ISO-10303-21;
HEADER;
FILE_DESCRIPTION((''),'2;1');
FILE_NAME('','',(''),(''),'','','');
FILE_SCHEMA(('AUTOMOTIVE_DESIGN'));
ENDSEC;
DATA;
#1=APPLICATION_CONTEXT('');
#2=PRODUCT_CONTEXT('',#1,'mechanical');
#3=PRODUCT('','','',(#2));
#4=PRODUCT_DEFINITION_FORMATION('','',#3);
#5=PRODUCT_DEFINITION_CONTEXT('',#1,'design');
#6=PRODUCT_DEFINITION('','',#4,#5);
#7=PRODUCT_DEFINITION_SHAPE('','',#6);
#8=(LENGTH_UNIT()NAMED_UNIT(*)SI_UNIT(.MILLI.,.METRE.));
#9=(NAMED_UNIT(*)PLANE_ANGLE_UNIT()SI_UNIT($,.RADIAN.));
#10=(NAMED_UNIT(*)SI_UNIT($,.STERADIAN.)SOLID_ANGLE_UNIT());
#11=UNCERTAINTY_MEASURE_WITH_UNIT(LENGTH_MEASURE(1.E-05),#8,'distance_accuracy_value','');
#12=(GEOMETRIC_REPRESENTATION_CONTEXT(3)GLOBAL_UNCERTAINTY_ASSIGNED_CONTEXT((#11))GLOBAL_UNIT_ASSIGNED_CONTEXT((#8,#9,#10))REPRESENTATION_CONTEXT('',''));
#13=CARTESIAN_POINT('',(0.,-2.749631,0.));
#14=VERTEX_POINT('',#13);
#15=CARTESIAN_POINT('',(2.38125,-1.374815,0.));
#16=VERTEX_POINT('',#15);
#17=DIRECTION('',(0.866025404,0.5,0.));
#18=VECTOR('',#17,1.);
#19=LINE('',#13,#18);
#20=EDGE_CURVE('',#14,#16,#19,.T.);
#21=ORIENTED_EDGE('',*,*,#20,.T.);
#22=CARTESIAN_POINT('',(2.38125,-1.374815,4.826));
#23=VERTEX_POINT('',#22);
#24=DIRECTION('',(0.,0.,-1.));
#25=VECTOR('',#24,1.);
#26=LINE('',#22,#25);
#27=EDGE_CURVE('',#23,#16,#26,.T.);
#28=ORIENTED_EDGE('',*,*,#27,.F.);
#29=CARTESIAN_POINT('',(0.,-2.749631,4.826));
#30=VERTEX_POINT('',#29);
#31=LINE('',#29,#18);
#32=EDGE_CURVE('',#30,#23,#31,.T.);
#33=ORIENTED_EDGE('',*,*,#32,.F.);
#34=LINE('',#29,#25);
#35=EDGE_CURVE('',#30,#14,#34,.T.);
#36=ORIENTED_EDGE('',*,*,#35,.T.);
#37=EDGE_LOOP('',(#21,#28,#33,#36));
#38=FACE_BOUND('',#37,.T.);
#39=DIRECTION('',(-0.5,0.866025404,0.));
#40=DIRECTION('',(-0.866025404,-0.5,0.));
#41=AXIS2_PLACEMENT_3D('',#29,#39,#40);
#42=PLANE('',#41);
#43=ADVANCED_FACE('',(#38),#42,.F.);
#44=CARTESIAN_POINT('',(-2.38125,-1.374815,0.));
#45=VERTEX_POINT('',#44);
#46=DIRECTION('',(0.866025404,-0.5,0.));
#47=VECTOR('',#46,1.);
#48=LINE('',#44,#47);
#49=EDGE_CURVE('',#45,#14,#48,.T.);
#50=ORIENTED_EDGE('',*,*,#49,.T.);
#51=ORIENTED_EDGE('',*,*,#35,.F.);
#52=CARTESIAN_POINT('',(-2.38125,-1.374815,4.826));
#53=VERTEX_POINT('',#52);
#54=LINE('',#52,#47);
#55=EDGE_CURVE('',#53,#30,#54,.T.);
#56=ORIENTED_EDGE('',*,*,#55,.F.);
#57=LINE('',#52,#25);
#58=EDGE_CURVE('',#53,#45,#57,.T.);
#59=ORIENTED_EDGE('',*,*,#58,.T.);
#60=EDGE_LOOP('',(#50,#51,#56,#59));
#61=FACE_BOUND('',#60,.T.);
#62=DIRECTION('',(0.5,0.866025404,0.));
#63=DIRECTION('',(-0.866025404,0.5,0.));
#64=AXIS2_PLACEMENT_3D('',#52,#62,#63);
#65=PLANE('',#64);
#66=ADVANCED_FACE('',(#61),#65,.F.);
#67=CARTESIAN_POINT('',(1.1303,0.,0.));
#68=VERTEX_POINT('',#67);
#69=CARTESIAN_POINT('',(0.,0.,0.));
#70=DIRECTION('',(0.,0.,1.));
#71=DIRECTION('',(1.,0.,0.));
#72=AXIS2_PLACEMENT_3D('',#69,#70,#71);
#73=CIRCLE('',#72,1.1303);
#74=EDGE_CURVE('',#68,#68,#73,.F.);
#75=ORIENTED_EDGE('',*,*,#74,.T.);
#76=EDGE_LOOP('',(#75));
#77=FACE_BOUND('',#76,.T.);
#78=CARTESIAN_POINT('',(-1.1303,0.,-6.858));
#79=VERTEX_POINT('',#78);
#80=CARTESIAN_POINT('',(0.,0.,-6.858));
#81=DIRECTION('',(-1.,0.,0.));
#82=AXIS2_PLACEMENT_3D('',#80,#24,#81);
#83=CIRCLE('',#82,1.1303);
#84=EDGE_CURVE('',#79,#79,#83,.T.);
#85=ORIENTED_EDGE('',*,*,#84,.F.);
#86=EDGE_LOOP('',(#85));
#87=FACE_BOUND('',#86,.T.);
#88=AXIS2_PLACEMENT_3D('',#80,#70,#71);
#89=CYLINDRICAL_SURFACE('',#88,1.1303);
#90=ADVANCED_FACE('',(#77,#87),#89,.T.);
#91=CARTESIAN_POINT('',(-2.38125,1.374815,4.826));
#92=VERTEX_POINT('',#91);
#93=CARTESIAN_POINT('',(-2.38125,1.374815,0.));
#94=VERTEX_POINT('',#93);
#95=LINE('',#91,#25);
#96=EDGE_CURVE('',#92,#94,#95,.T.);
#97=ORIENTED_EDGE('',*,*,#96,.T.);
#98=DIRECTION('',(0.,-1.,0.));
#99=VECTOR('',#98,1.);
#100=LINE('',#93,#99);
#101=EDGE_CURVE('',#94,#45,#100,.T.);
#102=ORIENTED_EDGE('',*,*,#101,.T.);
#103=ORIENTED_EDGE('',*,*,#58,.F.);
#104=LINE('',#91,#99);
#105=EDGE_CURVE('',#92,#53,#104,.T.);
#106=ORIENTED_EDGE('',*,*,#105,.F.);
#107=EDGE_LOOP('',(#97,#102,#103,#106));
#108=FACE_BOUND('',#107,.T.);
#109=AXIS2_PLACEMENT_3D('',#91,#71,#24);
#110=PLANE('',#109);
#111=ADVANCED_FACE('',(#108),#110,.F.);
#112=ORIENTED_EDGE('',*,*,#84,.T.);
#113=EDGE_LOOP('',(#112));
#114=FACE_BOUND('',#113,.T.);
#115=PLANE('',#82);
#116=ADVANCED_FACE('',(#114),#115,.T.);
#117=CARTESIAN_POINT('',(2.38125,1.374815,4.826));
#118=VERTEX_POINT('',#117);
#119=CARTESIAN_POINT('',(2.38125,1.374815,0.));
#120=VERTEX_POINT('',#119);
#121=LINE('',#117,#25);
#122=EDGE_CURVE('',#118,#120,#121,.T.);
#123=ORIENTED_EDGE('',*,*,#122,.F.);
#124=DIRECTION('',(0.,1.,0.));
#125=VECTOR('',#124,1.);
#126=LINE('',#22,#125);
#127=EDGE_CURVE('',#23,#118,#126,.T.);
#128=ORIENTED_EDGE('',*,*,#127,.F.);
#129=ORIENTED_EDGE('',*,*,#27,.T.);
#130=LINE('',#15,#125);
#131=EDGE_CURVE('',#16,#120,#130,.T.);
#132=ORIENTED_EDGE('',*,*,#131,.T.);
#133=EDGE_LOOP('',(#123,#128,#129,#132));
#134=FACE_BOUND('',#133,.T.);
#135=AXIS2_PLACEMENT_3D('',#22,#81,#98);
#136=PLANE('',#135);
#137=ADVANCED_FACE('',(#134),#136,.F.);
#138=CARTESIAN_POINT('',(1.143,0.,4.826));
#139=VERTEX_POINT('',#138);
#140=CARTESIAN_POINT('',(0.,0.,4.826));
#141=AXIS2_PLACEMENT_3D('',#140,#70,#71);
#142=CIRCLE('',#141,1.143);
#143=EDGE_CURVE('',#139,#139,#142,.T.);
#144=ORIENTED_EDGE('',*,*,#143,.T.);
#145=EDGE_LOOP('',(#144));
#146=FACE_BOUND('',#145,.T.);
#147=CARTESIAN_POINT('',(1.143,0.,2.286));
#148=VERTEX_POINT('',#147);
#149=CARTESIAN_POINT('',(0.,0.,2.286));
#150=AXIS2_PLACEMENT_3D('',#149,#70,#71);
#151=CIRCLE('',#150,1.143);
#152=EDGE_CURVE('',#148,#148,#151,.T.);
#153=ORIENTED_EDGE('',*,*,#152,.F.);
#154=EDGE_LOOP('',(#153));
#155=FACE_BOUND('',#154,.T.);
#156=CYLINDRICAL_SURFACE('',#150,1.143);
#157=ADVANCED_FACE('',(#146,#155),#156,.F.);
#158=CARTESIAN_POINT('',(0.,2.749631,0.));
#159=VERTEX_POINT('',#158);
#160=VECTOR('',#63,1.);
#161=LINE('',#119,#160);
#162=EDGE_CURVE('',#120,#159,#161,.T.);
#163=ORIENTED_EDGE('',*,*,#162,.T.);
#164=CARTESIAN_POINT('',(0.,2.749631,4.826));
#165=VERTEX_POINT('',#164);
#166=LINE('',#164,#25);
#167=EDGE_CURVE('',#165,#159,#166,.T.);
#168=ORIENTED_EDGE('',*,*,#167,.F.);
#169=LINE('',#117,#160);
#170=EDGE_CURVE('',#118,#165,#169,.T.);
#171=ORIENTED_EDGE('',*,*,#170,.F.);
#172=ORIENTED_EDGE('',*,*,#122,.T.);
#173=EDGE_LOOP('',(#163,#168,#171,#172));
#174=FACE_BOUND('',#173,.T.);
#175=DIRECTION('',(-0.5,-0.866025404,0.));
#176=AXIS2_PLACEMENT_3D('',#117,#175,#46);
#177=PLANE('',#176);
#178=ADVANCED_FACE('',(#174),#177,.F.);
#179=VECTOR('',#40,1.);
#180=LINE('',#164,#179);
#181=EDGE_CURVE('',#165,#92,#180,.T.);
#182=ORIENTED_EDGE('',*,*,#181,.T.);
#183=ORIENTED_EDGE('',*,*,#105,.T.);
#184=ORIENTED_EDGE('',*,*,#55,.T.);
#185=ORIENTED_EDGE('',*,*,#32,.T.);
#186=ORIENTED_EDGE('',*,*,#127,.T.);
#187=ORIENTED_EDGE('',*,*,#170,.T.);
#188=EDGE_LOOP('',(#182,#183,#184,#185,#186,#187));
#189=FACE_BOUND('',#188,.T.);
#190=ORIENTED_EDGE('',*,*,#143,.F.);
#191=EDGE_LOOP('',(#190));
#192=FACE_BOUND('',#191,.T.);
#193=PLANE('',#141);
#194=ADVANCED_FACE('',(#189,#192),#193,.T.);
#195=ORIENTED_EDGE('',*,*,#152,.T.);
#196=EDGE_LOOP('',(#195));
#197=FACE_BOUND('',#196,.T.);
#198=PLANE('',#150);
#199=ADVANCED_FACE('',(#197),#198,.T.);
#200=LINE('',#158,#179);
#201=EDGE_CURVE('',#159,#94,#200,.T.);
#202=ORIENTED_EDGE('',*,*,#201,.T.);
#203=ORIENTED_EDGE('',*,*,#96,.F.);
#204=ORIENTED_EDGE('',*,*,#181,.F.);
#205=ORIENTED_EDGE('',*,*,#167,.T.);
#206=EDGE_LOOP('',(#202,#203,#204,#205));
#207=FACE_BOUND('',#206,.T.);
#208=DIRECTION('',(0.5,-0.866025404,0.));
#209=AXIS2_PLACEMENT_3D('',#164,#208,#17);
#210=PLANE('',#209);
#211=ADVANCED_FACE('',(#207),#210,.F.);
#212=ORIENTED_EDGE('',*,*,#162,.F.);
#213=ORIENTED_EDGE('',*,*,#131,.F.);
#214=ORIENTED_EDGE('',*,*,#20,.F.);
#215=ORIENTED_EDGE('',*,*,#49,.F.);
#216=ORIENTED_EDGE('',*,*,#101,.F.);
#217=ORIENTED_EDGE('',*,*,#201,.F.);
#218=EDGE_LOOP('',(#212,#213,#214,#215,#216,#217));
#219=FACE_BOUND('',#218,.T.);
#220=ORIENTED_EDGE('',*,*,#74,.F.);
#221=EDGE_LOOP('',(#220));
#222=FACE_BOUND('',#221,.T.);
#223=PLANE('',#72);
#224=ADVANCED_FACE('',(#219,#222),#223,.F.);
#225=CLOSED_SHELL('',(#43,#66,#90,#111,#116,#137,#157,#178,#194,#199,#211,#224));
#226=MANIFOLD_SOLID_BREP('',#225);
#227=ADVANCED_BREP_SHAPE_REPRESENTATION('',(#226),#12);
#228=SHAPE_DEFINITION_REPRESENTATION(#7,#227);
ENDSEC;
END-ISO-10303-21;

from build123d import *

# Parameters (mm, degrees)
BOSS_EXTRUDE1_DEPTH = 4.826
SKETCH2_R           = 1.1303
BOSS_EXTRUDE2_DEPTH = 6.858
SKETCH3_R           = 1.143
CUT_EXTRUDE1_DEPTH  = 2.54


with BuildPart() as part:
    # Sketch1 → Boss-Extrude1 (new body)
    with BuildSketch(Plane.XY):
        Polygon((0, 2.749630657), (-2.38125, 1.374815329), (-2.38125, -1.374815329), (0, -2.749630657), (2.38125, -1.374815329), (2.38125, 1.374815329), align=None)
    extrude(amount=BOSS_EXTRUDE1_DEPTH)

    # Sketch2 → Boss-Extrude2 (add)
    with BuildSketch(Plane(origin=(0, 0, 0), x_dir=(-1, 0, 0), z_dir=(0, 0, -1))):
        with Locations(Location((0, 0, 0), (0, 0, 180))):
            Circle(SKETCH2_R)
    extrude(amount=BOSS_EXTRUDE2_DEPTH)

    # Sketch3 → Cut-Extrude1 (cut)
    with BuildSketch(Plane.XY.offset(4.826)):
        Circle(SKETCH3_R)
    extrude(amount=-CUT_EXTRUDE1_DEPTH, mode=Mode.SUBTRACT)


solid = part.part
